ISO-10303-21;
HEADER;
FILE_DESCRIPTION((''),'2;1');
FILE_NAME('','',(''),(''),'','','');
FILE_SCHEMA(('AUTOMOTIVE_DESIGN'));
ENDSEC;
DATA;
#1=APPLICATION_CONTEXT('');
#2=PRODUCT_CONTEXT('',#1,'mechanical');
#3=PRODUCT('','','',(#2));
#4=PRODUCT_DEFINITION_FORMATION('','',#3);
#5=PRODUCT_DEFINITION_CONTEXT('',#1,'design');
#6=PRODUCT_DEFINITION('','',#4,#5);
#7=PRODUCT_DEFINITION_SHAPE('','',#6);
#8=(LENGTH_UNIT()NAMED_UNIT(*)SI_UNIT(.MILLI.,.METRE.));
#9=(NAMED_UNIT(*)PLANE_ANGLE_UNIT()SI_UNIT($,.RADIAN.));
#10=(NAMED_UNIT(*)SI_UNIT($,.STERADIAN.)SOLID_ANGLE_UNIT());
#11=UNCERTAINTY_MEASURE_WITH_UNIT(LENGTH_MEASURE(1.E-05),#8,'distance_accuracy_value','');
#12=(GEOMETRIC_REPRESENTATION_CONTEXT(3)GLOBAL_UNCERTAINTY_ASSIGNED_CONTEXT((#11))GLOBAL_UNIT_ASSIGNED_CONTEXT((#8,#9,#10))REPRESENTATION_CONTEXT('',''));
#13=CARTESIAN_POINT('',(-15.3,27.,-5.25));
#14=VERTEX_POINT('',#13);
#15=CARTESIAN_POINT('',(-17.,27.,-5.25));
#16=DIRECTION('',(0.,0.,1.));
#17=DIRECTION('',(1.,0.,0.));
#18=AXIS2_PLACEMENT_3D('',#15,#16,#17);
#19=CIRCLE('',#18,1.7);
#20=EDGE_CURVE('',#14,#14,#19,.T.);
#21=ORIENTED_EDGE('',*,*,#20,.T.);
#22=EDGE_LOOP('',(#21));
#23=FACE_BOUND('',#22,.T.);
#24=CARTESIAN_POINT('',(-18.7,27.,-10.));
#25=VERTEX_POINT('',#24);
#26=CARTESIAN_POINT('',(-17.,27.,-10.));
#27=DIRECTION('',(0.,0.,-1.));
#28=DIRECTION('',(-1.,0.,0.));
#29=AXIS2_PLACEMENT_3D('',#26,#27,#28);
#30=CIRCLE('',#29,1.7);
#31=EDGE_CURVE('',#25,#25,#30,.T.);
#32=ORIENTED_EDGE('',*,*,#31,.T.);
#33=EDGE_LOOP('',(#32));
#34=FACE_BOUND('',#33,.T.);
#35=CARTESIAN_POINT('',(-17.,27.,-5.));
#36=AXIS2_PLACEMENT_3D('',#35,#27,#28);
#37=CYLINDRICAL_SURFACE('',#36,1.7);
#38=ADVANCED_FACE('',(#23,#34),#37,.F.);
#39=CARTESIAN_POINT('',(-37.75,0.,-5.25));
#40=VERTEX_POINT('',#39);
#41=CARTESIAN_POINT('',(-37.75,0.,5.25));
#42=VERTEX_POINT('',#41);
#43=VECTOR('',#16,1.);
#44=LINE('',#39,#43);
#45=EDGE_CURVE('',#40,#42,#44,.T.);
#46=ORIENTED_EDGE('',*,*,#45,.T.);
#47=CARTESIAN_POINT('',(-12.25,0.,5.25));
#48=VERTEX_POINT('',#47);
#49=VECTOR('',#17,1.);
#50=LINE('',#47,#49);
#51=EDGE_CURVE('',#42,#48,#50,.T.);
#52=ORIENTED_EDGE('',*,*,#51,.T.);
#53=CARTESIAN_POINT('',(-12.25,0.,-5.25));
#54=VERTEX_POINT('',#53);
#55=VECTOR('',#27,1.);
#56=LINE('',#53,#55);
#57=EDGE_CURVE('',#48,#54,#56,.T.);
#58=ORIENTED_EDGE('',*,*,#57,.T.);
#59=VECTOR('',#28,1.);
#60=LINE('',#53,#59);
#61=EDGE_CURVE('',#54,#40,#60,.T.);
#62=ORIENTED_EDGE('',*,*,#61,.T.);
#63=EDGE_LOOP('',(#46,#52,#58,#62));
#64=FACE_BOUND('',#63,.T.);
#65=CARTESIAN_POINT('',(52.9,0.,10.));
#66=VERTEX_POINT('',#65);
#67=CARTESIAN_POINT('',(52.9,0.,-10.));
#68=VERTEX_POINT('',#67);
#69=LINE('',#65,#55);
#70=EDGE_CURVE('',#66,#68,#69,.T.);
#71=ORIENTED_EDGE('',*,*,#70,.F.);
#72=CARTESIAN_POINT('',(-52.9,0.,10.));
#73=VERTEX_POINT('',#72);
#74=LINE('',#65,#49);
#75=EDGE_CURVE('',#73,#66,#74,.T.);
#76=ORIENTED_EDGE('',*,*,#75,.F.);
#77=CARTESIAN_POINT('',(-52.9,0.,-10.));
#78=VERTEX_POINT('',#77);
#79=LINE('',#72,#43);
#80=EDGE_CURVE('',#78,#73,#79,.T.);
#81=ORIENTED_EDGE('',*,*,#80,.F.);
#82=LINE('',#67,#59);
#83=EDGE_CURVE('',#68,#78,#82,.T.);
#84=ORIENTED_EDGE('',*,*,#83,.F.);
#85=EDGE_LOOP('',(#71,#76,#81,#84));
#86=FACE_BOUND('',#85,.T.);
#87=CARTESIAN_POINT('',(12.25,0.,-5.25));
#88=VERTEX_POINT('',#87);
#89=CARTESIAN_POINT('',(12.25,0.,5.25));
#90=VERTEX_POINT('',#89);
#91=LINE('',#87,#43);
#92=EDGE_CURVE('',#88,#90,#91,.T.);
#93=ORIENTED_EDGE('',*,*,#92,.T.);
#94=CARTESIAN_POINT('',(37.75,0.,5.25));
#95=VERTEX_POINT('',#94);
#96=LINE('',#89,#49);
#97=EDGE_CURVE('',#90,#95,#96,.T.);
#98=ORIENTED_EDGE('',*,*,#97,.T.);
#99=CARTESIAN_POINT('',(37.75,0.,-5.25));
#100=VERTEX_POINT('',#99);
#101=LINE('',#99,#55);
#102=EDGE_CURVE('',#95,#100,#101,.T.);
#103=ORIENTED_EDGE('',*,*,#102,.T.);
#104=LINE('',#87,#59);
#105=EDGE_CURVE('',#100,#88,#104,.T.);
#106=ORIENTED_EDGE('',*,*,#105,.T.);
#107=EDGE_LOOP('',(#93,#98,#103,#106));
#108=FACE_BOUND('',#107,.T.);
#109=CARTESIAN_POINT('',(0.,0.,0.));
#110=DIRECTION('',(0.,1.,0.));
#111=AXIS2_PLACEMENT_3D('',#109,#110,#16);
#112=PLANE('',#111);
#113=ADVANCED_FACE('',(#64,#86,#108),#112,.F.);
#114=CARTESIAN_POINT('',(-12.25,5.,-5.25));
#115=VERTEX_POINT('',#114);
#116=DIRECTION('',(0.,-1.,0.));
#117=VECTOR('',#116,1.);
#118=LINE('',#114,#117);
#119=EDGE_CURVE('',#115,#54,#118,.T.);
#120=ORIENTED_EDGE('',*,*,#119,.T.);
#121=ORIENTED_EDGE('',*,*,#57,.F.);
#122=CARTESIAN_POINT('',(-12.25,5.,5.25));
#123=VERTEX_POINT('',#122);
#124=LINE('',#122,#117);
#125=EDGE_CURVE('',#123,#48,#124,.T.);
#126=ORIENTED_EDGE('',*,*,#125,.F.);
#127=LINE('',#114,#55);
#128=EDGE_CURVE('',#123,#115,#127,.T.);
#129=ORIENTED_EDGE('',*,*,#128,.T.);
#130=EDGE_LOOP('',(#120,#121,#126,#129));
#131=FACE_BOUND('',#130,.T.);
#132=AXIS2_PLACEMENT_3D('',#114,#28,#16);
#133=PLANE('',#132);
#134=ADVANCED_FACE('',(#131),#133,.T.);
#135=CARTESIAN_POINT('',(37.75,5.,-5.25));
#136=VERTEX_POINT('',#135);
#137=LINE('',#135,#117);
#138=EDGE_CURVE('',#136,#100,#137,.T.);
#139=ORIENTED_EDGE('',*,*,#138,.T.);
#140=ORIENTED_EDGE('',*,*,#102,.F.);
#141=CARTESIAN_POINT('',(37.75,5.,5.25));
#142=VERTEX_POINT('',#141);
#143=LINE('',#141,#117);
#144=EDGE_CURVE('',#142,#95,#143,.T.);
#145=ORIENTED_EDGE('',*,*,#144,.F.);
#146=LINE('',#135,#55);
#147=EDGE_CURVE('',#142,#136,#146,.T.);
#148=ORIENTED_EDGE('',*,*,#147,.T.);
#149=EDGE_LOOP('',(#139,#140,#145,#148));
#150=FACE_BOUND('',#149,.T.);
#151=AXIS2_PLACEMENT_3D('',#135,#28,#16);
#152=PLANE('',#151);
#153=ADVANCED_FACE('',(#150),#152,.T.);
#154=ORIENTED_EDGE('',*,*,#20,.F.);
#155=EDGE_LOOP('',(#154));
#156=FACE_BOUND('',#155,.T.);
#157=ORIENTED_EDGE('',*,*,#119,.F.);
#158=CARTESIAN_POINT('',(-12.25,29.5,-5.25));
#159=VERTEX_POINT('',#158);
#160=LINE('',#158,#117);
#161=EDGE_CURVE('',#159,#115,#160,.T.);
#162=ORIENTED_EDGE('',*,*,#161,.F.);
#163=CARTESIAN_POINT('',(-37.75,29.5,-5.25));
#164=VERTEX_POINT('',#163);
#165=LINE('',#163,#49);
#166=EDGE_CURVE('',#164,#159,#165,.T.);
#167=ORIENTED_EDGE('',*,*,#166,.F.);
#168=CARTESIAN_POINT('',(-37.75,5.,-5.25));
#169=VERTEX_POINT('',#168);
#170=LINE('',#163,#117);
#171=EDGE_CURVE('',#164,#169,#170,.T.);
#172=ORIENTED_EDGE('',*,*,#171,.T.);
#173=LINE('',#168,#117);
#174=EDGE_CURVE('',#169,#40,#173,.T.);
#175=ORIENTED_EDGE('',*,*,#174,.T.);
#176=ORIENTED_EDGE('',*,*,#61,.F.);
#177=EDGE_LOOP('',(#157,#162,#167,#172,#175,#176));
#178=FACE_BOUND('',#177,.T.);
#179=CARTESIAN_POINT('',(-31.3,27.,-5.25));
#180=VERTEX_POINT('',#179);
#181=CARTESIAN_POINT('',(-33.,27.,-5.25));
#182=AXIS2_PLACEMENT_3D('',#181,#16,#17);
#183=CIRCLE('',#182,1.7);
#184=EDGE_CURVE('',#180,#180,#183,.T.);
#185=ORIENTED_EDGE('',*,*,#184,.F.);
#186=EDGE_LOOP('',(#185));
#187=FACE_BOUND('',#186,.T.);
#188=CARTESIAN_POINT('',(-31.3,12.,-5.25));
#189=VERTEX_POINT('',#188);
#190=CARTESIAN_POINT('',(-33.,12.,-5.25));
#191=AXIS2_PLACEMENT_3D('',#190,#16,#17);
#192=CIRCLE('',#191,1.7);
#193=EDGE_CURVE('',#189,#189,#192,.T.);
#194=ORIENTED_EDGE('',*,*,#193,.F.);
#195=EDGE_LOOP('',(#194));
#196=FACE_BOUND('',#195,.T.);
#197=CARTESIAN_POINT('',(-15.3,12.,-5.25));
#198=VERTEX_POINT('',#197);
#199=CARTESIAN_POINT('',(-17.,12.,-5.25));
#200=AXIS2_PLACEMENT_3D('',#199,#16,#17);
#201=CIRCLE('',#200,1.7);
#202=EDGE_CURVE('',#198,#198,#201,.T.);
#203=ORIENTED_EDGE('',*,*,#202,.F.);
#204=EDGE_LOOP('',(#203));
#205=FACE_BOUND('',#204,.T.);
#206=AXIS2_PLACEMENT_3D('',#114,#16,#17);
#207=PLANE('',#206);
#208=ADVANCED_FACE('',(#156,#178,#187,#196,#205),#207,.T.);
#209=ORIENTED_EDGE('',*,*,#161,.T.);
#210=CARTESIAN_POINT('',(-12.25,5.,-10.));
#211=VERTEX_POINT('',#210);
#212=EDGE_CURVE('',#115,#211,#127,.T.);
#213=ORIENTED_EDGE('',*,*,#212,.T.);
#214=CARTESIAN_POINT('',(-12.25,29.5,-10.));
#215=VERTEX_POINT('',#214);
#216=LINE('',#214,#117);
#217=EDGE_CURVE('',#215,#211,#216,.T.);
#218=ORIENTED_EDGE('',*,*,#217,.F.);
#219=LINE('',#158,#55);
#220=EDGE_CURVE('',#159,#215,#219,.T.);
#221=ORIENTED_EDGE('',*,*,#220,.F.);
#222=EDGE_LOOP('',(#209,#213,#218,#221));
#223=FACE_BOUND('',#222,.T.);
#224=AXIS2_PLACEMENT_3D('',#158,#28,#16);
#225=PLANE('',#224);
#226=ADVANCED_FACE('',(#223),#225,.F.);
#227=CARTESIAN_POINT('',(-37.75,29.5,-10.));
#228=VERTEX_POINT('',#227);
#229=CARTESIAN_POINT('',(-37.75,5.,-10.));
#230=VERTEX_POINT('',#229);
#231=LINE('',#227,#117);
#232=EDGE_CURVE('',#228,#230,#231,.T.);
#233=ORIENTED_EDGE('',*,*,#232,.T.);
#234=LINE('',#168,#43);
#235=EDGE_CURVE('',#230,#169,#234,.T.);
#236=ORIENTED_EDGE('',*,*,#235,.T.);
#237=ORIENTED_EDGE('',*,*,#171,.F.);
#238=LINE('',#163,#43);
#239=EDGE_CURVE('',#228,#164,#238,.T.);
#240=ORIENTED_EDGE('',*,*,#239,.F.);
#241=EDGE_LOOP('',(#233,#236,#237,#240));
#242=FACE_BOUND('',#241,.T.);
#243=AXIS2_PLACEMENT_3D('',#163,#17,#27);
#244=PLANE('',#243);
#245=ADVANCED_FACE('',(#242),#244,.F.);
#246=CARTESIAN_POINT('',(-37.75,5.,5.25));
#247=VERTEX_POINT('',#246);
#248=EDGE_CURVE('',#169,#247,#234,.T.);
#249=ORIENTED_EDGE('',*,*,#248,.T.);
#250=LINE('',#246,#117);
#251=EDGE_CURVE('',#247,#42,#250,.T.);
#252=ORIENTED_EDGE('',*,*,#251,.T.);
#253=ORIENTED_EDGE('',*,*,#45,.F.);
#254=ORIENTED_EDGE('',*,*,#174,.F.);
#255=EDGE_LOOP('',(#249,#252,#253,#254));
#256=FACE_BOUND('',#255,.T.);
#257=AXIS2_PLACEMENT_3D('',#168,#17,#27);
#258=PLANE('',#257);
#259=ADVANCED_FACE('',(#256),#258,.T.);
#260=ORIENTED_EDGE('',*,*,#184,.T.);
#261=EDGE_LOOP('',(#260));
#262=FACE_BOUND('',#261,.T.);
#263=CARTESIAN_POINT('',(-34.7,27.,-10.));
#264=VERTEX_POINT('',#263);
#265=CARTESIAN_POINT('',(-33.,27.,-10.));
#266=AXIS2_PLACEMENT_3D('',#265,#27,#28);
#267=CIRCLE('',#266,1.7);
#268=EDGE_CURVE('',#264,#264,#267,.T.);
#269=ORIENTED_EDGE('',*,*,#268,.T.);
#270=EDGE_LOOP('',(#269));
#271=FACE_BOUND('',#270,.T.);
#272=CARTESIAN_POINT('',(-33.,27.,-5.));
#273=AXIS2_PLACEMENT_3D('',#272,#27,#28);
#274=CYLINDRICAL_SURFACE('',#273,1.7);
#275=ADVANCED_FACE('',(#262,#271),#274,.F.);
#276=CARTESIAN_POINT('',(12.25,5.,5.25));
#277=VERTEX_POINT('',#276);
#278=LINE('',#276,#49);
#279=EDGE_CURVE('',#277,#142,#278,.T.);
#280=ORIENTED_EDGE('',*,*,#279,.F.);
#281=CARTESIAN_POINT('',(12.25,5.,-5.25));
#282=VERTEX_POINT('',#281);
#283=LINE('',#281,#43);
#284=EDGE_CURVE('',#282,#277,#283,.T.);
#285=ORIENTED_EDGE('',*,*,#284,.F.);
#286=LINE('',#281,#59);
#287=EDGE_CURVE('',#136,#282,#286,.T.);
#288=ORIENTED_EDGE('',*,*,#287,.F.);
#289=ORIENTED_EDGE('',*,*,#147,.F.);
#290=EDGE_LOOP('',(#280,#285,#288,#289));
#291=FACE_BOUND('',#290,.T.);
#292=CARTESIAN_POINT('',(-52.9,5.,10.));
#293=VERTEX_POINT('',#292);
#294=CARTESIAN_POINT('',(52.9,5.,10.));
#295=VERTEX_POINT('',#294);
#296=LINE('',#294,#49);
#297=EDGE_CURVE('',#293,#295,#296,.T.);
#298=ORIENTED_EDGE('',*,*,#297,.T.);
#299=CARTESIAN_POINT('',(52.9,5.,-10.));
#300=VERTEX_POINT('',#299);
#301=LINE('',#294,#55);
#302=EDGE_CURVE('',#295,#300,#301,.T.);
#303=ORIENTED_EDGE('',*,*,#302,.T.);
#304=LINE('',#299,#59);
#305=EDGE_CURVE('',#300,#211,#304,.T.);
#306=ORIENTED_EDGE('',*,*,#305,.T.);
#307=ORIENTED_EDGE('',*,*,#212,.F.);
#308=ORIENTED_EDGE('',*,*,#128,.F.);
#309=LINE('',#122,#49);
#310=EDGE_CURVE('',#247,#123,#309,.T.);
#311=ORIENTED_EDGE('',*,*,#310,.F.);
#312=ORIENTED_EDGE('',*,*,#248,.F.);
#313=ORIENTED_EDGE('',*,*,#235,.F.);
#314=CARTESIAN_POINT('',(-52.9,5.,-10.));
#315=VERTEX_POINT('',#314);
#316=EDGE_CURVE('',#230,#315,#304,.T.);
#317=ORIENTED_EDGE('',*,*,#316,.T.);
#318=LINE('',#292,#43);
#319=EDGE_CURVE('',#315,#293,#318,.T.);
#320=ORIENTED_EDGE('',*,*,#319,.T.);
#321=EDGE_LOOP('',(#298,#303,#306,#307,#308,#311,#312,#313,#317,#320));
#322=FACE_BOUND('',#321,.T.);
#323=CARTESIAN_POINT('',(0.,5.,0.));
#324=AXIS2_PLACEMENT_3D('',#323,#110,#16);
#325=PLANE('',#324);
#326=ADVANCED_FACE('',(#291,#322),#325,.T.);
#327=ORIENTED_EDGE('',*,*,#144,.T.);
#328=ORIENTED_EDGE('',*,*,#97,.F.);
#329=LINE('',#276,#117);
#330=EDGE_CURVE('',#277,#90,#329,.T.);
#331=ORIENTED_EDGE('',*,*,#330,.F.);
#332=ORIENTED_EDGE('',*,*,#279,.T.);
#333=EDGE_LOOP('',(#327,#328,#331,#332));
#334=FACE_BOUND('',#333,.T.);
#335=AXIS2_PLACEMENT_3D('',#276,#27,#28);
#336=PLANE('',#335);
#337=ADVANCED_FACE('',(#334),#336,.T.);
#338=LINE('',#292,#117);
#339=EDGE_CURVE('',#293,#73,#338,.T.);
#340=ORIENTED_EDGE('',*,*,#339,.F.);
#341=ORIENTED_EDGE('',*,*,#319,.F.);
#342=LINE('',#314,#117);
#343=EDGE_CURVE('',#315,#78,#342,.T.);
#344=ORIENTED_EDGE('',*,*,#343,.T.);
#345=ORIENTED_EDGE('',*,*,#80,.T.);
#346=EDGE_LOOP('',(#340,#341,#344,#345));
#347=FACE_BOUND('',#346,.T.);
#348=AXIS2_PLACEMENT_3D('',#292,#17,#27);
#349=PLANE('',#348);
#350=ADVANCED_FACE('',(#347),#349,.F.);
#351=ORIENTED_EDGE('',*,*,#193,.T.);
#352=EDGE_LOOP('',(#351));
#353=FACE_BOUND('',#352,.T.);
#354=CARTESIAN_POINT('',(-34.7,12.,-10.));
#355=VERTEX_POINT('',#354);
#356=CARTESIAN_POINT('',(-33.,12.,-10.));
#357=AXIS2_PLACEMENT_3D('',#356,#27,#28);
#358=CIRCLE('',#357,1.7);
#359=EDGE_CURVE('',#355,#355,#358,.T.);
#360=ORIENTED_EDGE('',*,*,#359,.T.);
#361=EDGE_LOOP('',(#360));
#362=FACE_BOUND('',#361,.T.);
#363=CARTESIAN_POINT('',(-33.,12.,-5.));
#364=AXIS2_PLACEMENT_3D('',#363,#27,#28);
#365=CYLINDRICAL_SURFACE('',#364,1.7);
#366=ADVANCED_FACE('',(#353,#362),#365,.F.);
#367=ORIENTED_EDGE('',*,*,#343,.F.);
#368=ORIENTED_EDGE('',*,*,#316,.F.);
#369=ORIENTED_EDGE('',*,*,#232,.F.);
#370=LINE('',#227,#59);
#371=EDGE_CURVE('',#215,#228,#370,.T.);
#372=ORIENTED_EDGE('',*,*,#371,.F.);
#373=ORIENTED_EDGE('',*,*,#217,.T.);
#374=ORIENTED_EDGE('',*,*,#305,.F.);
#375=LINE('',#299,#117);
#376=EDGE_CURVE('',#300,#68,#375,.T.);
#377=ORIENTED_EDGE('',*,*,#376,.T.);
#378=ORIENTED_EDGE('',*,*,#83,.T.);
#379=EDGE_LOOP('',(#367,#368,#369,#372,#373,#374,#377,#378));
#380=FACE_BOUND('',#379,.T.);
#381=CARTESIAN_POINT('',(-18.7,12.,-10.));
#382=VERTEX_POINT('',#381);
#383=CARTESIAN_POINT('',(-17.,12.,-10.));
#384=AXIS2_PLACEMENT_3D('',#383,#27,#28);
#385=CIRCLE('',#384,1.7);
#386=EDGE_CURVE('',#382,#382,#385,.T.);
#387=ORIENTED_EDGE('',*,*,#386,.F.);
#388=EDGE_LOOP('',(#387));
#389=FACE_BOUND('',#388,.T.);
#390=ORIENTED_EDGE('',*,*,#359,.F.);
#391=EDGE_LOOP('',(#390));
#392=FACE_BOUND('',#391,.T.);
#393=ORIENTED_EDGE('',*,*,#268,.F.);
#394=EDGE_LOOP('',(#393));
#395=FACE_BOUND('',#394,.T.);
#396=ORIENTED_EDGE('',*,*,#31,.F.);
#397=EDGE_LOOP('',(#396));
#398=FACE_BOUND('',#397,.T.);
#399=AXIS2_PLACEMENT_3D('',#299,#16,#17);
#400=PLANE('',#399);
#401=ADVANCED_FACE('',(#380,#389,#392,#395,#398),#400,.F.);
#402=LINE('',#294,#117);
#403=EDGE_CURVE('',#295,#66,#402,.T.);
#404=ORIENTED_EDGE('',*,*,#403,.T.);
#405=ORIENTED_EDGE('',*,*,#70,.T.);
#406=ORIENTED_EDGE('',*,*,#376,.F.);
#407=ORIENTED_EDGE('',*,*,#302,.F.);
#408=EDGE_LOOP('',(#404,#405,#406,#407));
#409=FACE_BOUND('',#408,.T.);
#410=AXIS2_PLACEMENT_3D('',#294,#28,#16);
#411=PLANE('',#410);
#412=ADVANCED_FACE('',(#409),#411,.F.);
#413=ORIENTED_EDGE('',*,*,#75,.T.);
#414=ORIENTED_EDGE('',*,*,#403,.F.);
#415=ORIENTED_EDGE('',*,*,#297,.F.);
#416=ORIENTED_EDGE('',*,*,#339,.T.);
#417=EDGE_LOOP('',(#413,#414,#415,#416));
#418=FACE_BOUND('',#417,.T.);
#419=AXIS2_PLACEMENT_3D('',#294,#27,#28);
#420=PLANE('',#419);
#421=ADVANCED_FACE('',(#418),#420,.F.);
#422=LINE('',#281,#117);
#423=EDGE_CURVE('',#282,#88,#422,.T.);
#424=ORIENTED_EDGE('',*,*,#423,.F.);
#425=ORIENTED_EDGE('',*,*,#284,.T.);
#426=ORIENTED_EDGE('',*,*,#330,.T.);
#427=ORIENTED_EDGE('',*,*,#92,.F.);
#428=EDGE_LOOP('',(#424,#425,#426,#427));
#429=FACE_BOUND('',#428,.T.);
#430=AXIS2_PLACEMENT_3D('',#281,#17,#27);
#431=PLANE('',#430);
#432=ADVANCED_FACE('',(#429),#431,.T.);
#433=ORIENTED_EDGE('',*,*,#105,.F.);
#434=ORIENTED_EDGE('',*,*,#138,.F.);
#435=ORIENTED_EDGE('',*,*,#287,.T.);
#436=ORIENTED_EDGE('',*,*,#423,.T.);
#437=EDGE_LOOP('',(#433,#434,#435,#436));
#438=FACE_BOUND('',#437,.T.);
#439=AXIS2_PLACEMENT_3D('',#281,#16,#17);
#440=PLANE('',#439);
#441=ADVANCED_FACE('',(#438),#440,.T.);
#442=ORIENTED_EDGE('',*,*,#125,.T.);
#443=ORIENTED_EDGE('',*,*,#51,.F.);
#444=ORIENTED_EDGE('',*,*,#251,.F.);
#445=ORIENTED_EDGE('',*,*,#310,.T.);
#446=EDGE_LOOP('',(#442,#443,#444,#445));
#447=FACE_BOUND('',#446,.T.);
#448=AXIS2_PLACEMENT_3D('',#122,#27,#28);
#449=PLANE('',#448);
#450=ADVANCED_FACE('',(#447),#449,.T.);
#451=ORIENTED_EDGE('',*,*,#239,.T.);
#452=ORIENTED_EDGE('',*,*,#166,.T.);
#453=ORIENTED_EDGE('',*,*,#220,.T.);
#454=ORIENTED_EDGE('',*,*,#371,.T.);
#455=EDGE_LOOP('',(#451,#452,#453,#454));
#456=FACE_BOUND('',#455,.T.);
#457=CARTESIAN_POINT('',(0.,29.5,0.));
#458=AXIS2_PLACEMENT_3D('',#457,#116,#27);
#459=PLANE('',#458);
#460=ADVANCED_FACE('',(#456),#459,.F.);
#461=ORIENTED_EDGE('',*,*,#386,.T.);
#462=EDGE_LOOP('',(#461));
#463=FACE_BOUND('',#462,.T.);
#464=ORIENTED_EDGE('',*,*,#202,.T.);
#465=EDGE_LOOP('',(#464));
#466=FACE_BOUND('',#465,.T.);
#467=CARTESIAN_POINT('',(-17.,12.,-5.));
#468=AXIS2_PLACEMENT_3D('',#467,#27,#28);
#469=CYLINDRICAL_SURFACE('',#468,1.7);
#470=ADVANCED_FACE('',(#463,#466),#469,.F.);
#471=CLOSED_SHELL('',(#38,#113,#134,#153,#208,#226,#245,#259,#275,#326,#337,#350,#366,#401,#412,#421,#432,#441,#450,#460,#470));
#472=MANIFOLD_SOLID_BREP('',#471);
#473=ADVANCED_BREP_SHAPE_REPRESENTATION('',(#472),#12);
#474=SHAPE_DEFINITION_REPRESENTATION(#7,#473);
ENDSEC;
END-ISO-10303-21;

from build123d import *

# Parameters (mm, degrees)
SKETCH1_W           = 105.8
SKETCH1_H           = 20
SKETCH1_W_2         = 25.5
SKETCH1_H_2         = 10.5
BOSS_EXTRUDE1_DEPTH = 5
SKETCH2_W           = 25.5
SKETCH2_H           = 4.75
BOSS_EXTRUDE2_DEPTH = 24.5
SKETCH3_R           = 1.7
CUT_EXTRUDE1_DEPTH  = 5


with BuildPart() as part:
    # Sketch1 → Boss-Extrude1 (new body)
    with BuildSketch(Plane(origin=(0, 0, 0), x_dir=(1, 0, 0), z_dir=(0, 1, 0))):
        Rectangle(SKETCH1_W, SKETCH1_H)
        with Locations((25, 0)):
            Rectangle(SKETCH1_W_2, SKETCH1_H_2, mode=Mode.SUBTRACT)
        with Locations((-25, 0)):
            Rectangle(SKETCH1_W_2, SKETCH1_H_2, mode=Mode.SUBTRACT)
    extrude(amount=BOSS_EXTRUDE1_DEPTH)

    # Sketch2 → Boss-Extrude2 (add)
    with BuildSketch(Plane(origin=(0, 5, 0), x_dir=(1, 0, 0), z_dir=(0, 1, 0))):
        with Locations((-25, 7.625)):
            Rectangle(SKETCH2_W, SKETCH2_H)
    extrude(amount=BOSS_EXTRUDE2_DEPTH)

    # Sketch3 → Cut-Extrude1 (cut)
    with BuildSketch(Plane(origin=(0, 0, -10), x_dir=(-1, 0, 0), z_dir=(0, 0, -1))):
        with Locations((33, 27)):
            Circle(SKETCH3_R)
        with Locations((33, 12)):
            Circle(SKETCH3_R)
        with Locations((17, 12)):
            Circle(SKETCH3_R)
        with Locations((17, 27)):
            Circle(SKETCH3_R)
    extrude(amount=-CUT_EXTRUDE1_DEPTH, mode=Mode.SUBTRACT)


solid = part.part
